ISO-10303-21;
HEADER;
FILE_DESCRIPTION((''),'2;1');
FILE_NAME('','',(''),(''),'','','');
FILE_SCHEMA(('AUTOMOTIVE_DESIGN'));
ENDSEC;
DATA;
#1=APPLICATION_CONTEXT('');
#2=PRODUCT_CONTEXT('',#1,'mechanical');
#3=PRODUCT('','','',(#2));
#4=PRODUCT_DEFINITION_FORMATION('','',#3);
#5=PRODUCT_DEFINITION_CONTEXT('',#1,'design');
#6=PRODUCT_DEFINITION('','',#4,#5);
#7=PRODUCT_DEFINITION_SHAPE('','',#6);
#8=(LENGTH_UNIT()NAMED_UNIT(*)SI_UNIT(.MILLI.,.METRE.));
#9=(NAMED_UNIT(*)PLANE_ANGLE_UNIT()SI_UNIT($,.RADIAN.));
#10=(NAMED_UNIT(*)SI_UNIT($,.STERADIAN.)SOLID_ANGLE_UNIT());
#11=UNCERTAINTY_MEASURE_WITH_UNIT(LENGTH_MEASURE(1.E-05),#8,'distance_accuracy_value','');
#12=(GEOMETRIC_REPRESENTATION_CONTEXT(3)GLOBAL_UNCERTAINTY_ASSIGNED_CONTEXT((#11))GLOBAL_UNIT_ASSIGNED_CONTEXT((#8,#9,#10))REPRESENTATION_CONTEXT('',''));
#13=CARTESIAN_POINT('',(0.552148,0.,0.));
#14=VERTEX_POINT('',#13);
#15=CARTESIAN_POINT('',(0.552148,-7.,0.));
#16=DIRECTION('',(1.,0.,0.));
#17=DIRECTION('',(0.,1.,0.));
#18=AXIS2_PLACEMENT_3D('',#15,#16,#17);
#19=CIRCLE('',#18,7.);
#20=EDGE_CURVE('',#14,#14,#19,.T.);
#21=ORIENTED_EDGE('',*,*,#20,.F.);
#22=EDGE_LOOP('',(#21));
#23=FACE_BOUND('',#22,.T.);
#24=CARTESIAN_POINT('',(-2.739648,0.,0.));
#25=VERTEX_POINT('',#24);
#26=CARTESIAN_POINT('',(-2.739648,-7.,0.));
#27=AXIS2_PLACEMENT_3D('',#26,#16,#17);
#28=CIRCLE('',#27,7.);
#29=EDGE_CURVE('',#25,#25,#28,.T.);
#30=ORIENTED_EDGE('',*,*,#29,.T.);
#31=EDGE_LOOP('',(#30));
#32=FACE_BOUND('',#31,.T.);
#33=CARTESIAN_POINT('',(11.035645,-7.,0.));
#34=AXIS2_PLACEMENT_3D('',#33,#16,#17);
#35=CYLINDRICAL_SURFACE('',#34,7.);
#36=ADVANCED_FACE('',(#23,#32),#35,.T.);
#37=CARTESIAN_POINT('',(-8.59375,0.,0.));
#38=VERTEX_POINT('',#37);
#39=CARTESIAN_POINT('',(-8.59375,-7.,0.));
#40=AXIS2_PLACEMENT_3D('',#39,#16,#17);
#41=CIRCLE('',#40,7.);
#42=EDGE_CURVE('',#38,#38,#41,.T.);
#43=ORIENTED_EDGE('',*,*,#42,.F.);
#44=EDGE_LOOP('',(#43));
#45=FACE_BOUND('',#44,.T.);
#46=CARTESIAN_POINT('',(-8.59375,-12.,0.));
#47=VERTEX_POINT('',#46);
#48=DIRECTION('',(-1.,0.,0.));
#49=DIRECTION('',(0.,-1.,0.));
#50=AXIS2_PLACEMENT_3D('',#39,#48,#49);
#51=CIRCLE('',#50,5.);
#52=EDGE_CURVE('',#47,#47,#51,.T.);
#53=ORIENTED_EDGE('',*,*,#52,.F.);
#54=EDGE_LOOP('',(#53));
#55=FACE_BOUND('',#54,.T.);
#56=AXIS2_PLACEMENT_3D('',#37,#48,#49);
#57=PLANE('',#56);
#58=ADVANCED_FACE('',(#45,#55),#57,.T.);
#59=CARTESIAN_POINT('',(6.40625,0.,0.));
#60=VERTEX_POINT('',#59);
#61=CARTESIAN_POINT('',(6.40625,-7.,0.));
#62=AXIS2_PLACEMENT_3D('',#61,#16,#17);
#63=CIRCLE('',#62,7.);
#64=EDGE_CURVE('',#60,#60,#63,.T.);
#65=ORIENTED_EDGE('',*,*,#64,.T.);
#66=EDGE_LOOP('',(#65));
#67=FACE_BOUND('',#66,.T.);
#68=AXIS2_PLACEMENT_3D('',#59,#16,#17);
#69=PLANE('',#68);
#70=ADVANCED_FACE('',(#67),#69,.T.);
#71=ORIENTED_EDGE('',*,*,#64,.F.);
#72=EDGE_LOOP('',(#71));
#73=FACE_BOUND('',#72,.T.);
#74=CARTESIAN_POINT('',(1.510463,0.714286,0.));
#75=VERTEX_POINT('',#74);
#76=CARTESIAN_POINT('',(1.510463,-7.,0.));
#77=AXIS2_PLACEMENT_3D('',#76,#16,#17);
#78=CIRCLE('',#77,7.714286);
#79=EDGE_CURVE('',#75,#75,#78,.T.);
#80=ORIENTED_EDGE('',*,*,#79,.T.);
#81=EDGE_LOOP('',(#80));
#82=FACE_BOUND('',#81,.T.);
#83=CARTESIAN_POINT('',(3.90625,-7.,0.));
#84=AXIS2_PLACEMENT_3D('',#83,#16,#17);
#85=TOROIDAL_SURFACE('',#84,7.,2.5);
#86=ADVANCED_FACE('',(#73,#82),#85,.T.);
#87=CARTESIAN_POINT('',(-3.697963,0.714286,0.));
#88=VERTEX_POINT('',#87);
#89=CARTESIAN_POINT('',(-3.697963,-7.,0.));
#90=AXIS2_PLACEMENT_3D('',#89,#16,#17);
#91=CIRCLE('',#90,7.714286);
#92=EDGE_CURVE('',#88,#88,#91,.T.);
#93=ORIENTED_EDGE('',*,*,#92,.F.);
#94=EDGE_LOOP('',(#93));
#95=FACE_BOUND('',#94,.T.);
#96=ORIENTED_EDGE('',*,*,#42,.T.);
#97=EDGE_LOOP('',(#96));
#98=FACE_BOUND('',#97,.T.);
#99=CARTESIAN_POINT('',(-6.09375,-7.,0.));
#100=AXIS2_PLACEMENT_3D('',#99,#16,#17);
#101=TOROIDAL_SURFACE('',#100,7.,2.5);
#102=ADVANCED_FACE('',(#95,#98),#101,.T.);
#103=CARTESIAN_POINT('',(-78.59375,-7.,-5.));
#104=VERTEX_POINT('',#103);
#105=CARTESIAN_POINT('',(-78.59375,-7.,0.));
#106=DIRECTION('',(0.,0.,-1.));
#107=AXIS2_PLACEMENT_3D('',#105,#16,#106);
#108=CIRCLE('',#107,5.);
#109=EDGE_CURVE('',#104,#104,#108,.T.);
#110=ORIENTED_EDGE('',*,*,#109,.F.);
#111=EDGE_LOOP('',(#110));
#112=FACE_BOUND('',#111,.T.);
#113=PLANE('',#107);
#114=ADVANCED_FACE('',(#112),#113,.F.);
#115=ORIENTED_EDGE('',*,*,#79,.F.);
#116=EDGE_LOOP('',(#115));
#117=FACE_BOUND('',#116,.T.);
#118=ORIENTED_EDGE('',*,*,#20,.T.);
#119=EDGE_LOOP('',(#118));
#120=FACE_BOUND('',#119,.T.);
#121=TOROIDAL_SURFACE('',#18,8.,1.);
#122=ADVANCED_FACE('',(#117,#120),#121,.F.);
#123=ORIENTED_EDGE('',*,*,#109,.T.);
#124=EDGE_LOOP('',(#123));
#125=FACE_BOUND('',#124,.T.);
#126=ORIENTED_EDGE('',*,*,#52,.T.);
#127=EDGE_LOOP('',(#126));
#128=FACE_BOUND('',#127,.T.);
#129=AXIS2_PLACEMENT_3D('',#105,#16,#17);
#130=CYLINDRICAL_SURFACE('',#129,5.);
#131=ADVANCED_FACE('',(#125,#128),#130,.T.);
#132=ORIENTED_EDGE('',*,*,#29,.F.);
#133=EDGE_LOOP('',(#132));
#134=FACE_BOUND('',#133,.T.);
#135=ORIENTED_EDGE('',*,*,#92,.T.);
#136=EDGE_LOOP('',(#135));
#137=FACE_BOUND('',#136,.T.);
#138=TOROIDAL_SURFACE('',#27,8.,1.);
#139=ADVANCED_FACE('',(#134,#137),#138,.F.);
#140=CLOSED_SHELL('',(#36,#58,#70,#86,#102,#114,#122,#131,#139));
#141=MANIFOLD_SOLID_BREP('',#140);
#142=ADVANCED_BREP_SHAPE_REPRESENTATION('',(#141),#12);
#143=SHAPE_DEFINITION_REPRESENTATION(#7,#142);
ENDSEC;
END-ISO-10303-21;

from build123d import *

# Parameters (mm, degrees)
SKETCH2_R           = 5
BOSS_EXTRUDE1_DEPTH = 85


with BuildPart() as part:
    # Sketch1 → Revolve2 (revolve)
    with BuildSketch(Plane.XY):
        with BuildLine():
            ThreePointArc((6.40625, 0), (4.267173955, 2.473809592), (1.510462881, 0.714285714))
            ThreePointArc((1.510462881, 0.714285714), (1.149762338, 0.198216274), (0.552148034, 0))
            Line((0.552148034, 0), (-2.739648034, 0))
            ThreePointArc((-2.739648034, 0), (-3.337262338, 0.198216274), (-3.697962881, 0.714285714))
            ThreePointArc((-3.697962881, 0.714285714), (-6.454673955, 2.473809592), (-8.59375, 0))
            Line((-8.59375, 0), (-8.59375, -2))
            Line((-8.59375, -2), (6.40625, -2))
            Line((6.40625, -2), (6.40625, 0))
        make_face()
    revolve(axis=Axis((11.035645008, -7, 0), (-1, 0, 0)))

    # Sketch2 → Boss-Extrude1 (add)
    with BuildSketch(Plane(origin=(6.40625, 0, 0), x_dir=(0, 0, -1), z_dir=(1, 0, 0))):
        with Locations((0, -7)):
            Circle(SKETCH2_R)
    extrude(amount=-BOSS_EXTRUDE1_DEPTH)


solid = part.part
